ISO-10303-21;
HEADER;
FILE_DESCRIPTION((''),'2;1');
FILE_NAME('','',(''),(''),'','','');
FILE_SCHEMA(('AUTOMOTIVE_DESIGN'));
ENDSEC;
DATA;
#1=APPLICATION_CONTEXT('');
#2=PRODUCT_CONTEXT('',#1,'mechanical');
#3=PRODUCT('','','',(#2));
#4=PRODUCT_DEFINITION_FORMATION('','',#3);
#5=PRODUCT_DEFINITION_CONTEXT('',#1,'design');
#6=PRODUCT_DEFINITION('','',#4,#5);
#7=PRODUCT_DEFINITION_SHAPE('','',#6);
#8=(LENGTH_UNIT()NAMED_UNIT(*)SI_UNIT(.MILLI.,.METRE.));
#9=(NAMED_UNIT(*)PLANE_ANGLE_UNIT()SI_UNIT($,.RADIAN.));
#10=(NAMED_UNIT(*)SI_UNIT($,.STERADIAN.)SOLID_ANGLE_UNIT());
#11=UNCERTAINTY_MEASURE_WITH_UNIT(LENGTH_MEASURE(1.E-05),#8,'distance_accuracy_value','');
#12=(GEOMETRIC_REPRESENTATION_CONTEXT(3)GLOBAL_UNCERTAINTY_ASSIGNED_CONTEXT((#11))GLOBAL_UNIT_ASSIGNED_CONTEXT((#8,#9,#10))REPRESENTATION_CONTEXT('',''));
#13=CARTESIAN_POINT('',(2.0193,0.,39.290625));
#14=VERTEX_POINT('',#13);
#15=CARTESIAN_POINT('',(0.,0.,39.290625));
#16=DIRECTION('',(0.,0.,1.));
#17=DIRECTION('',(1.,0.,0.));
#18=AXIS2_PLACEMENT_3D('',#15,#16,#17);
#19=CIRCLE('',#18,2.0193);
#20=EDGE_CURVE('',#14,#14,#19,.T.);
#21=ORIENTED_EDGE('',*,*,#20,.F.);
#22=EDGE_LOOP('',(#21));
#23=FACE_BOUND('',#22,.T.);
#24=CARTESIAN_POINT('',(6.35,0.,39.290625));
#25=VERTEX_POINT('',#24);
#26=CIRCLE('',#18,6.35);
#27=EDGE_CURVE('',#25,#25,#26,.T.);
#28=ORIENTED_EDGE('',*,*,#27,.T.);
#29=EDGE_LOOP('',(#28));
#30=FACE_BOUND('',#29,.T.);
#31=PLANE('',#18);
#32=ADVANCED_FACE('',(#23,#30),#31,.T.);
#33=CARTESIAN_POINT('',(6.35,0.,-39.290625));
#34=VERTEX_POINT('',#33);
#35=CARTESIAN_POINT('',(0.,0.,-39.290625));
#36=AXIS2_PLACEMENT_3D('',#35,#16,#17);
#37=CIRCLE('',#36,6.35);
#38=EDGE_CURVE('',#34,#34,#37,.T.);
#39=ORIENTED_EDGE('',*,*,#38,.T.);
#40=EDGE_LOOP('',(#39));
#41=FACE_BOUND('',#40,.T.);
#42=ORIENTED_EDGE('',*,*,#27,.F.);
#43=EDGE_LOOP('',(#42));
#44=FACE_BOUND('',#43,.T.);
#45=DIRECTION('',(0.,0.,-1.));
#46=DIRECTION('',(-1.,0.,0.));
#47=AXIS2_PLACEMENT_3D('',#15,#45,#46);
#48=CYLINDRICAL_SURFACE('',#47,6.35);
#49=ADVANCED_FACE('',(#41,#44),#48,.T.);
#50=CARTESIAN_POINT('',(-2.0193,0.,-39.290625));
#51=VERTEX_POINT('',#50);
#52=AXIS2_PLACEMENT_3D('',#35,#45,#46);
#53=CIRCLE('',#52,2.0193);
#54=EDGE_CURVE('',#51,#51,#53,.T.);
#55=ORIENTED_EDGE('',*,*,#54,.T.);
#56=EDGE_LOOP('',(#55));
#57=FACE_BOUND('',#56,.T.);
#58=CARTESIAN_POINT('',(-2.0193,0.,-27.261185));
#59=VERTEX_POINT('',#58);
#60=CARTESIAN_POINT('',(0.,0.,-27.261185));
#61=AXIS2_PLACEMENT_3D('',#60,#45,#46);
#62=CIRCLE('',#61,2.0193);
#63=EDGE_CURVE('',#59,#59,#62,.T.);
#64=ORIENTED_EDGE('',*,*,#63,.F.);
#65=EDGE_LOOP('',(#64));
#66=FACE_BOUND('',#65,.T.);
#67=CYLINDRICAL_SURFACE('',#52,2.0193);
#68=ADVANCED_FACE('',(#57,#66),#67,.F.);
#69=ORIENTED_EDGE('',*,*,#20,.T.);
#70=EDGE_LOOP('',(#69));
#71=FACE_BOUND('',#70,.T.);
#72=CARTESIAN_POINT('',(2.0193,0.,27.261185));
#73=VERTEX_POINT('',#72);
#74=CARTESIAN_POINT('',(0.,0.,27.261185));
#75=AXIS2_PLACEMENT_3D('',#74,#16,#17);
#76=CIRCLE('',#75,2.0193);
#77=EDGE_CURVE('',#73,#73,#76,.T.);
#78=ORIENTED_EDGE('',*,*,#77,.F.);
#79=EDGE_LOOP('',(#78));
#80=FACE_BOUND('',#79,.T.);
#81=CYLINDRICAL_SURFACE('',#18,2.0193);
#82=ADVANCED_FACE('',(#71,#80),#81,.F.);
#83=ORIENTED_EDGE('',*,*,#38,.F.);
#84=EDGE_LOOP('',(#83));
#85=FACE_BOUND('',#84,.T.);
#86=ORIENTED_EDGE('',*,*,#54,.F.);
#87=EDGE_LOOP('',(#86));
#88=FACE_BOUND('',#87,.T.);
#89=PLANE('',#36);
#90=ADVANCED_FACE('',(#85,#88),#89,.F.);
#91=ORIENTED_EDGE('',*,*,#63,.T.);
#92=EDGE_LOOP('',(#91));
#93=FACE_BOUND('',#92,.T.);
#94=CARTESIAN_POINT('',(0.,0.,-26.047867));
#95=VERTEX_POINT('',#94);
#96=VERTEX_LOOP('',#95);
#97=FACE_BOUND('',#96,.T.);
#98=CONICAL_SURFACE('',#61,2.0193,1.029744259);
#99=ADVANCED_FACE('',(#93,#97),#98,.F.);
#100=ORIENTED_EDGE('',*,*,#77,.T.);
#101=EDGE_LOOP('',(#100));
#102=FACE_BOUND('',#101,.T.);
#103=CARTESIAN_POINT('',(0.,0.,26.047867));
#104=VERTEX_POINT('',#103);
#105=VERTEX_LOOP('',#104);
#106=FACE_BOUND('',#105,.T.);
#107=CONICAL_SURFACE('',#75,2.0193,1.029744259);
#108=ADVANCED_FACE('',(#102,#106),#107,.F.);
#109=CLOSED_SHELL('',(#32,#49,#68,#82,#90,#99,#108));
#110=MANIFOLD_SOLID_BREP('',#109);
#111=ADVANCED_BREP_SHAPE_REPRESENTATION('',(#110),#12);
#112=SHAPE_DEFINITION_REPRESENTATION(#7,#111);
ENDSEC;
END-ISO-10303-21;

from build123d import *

# Parameters (mm, degrees)
SKETCH1_R                            = 6.35
BOSS_EXTRUDE1_DEPTH                  = 39.290625
F_10_32_TAPPED_HOLE1_D               = 4.0386
F_10_32_TAPPED_HOLE1_DEPTH           = 12.02944
F_10_32_TAPPED_HOLE1_TIP             = 1.213317848
F_10_32_TAPPED_HOLE1_ON_FACE_2_D     = 4.0386
F_10_32_TAPPED_HOLE1_ON_FACE_2_DEPTH = 12.02944
F_10_32_TAPPED_HOLE1_ON_FACE_2_TIP   = 1.213317848


with BuildPart() as part:
    # Sketch1 → Boss-Extrude1 (new, symmetric)
    with BuildSketch(Plane.XY):
        Circle(SKETCH1_R)
    extrude(amount=BOSS_EXTRUDE1_DEPTH, both=True)

    # #10-32 Tapped Hole1
    with Locations(Plane(origin=(0, 0, -39.290625), x_dir=(-1, 0, 0), z_dir=(0, 0, -1))):
        with Locations((0, 0)):
            Hole(F_10_32_TAPPED_HOLE1_D / 2, depth=F_10_32_TAPPED_HOLE1_DEPTH)
            with Locations((0, 0, -(F_10_32_TAPPED_HOLE1_DEPTH + F_10_32_TAPPED_HOLE1_TIP / 2))):  # 118° drill point
                Cone(0, F_10_32_TAPPED_HOLE1_D / 2, F_10_32_TAPPED_HOLE1_TIP, mode=Mode.SUBTRACT)

    # #10-32 Tapped Hole1 on face 2
    with Locations(Plane.XY.offset(39.290625)):
        with Locations((0, 0)):
            Hole(F_10_32_TAPPED_HOLE1_ON_FACE_2_D / 2, depth=F_10_32_TAPPED_HOLE1_ON_FACE_2_DEPTH)
            with Locations((0, 0, -(F_10_32_TAPPED_HOLE1_ON_FACE_2_DEPTH + F_10_32_TAPPED_HOLE1_ON_FACE_2_TIP / 2))):  # 118° drill point
                Cone(0, F_10_32_TAPPED_HOLE1_ON_FACE_2_D / 2, F_10_32_TAPPED_HOLE1_ON_FACE_2_TIP, mode=Mode.SUBTRACT)


solid = part.part
